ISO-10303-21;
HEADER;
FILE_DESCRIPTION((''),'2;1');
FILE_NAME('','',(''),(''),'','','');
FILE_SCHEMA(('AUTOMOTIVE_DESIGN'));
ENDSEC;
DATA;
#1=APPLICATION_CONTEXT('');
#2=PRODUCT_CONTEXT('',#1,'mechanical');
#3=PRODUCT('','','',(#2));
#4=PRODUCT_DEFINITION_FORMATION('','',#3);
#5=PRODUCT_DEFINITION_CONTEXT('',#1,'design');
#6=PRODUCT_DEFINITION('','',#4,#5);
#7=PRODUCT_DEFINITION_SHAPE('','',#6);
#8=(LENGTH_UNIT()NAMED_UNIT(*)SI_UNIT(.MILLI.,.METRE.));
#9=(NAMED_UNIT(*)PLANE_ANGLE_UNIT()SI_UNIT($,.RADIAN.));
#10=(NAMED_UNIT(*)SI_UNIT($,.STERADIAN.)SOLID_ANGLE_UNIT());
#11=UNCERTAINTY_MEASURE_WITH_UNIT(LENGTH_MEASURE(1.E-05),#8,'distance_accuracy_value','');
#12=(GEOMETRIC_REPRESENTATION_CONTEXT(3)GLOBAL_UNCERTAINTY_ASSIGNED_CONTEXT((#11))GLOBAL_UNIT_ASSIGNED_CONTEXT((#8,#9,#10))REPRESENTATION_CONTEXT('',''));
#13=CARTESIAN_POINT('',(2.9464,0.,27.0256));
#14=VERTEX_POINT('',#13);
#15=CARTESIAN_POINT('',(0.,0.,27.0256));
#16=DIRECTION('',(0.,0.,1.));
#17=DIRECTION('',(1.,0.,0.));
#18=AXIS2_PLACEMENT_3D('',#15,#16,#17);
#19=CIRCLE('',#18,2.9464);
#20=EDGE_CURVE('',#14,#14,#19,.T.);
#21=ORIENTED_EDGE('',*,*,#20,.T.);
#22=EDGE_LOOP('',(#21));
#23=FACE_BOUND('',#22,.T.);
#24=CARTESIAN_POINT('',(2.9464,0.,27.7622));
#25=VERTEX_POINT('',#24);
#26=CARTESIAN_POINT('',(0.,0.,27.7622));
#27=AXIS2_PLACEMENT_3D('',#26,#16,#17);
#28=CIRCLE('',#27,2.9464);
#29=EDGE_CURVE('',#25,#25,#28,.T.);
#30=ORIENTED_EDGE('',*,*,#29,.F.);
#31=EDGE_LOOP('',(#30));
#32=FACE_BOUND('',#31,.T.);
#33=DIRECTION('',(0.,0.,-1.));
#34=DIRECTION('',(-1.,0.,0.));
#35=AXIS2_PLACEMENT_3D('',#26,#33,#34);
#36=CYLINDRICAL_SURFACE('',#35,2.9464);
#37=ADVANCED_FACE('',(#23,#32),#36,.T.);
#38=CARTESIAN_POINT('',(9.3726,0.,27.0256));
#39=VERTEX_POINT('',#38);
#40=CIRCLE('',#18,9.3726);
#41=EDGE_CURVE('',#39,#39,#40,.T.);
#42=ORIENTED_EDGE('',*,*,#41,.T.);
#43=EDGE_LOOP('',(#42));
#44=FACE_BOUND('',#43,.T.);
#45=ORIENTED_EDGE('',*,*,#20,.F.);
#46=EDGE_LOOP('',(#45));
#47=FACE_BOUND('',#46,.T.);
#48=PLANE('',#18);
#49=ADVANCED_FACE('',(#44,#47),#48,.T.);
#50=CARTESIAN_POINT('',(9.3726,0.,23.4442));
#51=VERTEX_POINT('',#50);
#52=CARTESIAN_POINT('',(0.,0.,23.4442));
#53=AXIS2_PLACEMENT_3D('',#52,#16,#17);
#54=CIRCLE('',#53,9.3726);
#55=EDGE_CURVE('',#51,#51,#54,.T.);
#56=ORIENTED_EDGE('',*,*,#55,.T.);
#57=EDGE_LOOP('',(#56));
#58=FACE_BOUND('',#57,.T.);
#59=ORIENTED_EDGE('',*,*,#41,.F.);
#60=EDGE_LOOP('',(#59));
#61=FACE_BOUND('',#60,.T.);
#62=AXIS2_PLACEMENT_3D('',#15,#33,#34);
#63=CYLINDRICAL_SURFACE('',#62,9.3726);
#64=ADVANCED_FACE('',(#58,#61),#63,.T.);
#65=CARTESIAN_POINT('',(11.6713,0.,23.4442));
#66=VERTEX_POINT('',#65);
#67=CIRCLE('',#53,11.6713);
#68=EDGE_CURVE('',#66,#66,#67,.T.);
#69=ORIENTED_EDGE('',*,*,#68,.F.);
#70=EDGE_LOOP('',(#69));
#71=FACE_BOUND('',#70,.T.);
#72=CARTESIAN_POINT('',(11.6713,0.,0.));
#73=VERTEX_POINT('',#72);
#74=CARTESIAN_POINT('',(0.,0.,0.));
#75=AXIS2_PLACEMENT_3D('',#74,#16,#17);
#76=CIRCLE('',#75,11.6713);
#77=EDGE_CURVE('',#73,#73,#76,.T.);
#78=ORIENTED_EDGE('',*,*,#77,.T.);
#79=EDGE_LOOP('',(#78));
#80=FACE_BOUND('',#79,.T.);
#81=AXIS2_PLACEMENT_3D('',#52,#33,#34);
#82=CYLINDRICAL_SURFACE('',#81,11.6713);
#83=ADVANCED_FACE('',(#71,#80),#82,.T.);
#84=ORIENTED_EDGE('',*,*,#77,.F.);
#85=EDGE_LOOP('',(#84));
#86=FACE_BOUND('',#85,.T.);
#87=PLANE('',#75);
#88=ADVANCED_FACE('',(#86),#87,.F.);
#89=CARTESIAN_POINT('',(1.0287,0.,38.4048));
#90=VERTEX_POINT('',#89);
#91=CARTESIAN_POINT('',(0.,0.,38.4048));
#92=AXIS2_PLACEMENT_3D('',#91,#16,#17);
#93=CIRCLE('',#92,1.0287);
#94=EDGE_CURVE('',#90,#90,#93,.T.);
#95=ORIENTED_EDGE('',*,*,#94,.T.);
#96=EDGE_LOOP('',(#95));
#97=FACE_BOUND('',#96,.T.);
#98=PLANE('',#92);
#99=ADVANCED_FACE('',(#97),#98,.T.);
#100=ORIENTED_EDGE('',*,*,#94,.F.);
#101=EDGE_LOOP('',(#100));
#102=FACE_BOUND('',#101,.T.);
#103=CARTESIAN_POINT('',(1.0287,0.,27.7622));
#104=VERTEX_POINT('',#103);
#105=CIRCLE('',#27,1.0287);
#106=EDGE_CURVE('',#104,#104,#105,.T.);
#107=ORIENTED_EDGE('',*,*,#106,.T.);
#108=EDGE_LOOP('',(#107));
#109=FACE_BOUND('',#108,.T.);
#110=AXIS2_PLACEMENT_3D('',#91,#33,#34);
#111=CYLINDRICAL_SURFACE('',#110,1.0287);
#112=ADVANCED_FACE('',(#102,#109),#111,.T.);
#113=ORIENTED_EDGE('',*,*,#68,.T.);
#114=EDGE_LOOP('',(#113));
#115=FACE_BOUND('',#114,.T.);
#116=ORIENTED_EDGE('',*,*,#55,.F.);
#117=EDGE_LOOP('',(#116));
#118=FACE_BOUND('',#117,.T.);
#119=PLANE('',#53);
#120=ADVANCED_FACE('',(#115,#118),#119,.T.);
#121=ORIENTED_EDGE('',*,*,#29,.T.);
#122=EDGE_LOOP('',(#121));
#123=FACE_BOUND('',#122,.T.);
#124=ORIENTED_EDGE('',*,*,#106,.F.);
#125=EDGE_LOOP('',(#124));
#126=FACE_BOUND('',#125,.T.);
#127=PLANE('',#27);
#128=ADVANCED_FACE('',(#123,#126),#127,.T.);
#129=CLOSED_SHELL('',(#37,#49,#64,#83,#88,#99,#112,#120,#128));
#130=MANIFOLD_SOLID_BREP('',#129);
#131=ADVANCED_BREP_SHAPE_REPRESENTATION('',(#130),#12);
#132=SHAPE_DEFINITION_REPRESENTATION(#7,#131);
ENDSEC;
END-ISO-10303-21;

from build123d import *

# Parameters (mm, degrees)
SKETCH1_R           = 11.6713
BOSS_EXTRUDE1_DEPTH = 23.4442
SKETCH4_R           = 9.3726
BOSS_EXTRUDE3_DEPTH = 3.5814
SKETCH5_R           = 2.9464
BOSS_EXTRUDE4_DEPTH = 0.7366
SKETCH2_R           = 1.0287
BOSS_EXTRUDE2_DEPTH = 10.6426


with BuildPart() as part:
    # Sketch1 → Boss-Extrude1 (new body)
    with BuildSketch(Plane.XY):
        Circle(SKETCH1_R)
    extrude(amount=BOSS_EXTRUDE1_DEPTH)

    # Sketch4 → Boss-Extrude3 (add)
    with BuildSketch(Plane.XY.offset(23.4442)):
        Circle(SKETCH4_R)
    extrude(amount=BOSS_EXTRUDE3_DEPTH)

    # Sketch5 → Boss-Extrude4 (add)
    with BuildSketch(Plane.XY.offset(27.0256)):
        Circle(SKETCH5_R)
    extrude(amount=BOSS_EXTRUDE4_DEPTH)

    # Sketch2 → Boss-Extrude2 (add)
    with BuildSketch(Plane.XY.offset(27.7622)):
        Circle(SKETCH2_R)
    extrude(amount=BOSS_EXTRUDE2_DEPTH)


solid = part.part
